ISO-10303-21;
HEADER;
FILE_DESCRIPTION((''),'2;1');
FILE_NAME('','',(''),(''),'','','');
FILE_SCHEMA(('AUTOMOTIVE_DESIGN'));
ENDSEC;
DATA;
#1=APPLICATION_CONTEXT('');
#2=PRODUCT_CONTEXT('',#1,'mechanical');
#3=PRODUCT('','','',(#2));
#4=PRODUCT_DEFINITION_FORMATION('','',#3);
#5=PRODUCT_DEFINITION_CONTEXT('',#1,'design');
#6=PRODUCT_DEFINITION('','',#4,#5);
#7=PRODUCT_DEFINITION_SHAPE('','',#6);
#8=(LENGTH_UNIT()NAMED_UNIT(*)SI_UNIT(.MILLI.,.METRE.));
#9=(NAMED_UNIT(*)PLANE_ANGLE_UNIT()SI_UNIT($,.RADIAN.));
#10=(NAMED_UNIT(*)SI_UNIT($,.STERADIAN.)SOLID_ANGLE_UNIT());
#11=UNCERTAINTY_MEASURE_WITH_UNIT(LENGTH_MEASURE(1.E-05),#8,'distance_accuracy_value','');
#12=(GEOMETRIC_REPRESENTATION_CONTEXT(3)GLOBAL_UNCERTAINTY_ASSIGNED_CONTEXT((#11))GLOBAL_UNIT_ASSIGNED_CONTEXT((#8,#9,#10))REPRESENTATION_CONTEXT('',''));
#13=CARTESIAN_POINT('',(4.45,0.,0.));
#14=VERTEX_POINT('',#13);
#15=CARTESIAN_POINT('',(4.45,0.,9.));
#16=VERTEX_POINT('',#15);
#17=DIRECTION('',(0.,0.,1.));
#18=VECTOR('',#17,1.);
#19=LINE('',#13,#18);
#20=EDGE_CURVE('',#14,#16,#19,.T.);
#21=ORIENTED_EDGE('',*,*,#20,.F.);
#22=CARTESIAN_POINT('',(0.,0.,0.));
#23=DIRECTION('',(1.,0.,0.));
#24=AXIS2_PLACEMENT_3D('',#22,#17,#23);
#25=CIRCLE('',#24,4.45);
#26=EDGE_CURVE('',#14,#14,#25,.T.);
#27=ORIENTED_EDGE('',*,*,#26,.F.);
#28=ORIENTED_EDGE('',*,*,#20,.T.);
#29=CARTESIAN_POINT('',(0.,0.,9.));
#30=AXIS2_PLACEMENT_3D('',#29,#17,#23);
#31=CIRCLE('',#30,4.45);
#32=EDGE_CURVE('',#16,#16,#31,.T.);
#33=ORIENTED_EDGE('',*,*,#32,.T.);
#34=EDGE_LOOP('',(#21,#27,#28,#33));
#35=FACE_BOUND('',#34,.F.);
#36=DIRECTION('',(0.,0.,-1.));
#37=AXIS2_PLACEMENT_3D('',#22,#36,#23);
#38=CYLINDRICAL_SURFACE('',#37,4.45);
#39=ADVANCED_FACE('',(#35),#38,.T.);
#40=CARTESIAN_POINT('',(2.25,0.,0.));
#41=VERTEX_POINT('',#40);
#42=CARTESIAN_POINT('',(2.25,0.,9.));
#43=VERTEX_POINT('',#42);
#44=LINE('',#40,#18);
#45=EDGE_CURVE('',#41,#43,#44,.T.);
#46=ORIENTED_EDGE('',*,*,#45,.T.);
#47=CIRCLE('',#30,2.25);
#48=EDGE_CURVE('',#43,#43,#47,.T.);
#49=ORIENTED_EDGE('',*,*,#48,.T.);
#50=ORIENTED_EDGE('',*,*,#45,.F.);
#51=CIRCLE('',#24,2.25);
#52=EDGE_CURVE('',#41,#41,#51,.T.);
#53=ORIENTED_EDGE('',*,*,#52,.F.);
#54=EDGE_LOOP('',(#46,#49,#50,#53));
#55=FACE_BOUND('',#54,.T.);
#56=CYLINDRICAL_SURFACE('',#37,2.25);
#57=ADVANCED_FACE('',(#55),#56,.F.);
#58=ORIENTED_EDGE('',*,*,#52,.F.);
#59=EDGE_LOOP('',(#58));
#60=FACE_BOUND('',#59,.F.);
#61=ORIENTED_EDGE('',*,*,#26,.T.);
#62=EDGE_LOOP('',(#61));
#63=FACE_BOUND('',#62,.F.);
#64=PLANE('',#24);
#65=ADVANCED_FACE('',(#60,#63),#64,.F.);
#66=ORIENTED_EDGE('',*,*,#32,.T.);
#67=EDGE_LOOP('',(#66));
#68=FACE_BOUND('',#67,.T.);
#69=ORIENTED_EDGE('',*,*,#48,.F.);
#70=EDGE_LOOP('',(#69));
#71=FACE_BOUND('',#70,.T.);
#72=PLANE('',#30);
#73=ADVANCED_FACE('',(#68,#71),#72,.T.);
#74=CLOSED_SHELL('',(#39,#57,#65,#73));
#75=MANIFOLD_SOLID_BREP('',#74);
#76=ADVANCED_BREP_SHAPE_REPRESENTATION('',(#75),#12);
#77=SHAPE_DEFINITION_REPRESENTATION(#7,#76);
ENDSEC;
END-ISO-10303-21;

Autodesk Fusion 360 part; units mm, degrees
sketch "Esquisse1" plane through (0, 0, 0) normal (0, 0, 1) x (1, 0, 0)
  circle A0 centre (0, 0) radius 2.25
  circle A1 centre (0, 0) radius 4.45
  dimension "d1" = 4.5
  dimension "d2" = 8.9
extrude "Extrusion2" add sketch "Esquisse1" along normal blind 9
